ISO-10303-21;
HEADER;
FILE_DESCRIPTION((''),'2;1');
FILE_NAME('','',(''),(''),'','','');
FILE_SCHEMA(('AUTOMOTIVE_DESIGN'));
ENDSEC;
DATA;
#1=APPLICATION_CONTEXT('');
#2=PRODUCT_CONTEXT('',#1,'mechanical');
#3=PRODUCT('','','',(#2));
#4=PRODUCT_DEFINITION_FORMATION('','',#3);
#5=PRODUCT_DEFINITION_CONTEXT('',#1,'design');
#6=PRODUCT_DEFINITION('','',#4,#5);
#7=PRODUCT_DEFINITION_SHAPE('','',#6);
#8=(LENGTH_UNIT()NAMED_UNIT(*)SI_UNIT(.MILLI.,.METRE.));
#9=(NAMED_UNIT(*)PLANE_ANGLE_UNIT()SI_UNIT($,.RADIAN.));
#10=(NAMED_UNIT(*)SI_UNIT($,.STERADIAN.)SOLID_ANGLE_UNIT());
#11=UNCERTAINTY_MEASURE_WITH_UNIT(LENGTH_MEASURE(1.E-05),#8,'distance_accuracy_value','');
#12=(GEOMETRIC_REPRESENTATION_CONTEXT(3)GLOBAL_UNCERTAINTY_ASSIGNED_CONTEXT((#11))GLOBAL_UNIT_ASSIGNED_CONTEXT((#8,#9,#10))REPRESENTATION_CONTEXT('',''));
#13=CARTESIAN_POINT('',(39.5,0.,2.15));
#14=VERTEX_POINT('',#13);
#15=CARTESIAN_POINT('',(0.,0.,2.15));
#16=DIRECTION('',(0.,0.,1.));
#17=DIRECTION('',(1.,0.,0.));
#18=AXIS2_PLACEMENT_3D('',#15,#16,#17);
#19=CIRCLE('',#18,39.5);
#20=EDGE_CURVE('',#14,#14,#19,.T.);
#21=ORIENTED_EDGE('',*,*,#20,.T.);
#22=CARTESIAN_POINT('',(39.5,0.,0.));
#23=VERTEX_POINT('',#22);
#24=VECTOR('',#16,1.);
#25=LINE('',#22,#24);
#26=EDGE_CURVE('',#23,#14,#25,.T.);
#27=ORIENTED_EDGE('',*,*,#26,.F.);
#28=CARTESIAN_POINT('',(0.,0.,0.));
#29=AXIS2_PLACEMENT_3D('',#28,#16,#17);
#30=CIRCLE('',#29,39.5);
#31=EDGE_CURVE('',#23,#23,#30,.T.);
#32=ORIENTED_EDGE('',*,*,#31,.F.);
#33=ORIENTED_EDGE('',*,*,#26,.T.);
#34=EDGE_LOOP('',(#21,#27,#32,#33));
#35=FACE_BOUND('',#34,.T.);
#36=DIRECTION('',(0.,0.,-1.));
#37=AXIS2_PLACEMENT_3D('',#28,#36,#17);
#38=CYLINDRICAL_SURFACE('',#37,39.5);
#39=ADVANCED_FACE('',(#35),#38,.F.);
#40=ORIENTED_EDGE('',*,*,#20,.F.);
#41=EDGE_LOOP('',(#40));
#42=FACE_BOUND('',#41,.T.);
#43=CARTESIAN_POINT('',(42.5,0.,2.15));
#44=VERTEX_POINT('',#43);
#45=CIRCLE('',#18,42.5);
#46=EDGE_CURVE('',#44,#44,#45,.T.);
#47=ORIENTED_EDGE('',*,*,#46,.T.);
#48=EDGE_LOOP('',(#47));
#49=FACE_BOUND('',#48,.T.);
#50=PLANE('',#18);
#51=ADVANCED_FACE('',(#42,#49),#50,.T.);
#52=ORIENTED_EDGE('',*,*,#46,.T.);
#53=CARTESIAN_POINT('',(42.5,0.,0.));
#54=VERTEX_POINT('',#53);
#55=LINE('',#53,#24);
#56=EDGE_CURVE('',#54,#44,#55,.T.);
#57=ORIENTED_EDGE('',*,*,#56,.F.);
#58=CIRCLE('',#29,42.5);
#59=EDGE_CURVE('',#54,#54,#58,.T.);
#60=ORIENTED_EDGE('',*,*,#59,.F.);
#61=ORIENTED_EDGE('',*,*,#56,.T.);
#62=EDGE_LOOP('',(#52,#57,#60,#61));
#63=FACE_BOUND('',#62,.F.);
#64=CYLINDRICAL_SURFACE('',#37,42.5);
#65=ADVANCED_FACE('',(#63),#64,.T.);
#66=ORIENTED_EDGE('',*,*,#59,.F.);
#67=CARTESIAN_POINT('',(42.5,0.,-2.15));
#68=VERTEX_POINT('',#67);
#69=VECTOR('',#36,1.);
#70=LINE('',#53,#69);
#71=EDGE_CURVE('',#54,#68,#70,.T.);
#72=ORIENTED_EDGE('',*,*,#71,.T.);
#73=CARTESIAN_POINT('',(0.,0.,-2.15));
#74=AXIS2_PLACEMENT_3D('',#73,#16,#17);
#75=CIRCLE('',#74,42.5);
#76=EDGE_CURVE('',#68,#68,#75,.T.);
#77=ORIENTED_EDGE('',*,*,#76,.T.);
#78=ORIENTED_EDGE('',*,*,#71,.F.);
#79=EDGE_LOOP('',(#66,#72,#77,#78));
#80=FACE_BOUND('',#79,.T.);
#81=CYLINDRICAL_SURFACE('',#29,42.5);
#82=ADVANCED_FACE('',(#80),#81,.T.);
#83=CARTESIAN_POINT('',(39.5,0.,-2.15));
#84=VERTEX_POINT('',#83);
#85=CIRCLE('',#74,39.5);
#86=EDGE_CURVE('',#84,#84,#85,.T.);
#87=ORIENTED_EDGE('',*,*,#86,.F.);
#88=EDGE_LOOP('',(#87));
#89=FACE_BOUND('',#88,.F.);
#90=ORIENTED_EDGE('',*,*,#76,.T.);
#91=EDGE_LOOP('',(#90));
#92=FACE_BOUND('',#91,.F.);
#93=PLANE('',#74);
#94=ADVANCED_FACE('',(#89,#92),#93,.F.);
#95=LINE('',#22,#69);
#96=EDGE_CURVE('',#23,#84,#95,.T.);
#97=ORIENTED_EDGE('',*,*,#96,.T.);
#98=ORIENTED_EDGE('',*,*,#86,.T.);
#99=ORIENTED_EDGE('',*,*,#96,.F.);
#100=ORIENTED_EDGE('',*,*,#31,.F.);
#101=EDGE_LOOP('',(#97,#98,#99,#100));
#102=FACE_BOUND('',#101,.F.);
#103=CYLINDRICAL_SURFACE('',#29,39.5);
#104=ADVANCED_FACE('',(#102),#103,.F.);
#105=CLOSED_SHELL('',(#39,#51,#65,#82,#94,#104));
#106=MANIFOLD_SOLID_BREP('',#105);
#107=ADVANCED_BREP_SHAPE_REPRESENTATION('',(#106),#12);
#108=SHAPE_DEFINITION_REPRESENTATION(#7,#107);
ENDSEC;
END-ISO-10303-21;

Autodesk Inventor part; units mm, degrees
ref_plane "YZ Plane" through (0, 0, 0) normal (1, 0, 0) x (0, 1, 0)
ref_plane "XZ Plane" through (0, 0, 0) normal (0, 1, 0) x (-1, 0, 0)
ref_plane "XY Plane" through (0, 0, 0) normal (0, 0, 1) x (1, 0, 0)
sketch "Sketch1" plane through (0, 0, 0) normal (0, 0, 1) x (1, 0, 0)
  circle A0 centre (0, 0) radius 42.5
  circle A1 centre (0, 0) radius 39.5
  dimension "d0" = 85
  dimension "d1" = 79
extrude "Extrusion1" add sketch "Sketch1" along normal mid plane 4.3
equation "\"BendRadius\" = Thickness"
equation "\"BendReliefWidth\" = Thickness"
equation "\"BendReliefDepth\" = 0.5 * Thickness"
equation "\"CornerReliefSize\" = 4 * Thickness"
equation "\"MinimumRemnant\" = 2 * Thickness"
equation "\"TransitionRadius\" = BendRadius"
equation "\"JacobiRadiusSize\" = BendRadius"
equation "\"GapSize\" = Thickness"
equation "\"Thickness\" = 0.5"
properties part number "Part5 PISTON RING" material "Stainless Steel"
